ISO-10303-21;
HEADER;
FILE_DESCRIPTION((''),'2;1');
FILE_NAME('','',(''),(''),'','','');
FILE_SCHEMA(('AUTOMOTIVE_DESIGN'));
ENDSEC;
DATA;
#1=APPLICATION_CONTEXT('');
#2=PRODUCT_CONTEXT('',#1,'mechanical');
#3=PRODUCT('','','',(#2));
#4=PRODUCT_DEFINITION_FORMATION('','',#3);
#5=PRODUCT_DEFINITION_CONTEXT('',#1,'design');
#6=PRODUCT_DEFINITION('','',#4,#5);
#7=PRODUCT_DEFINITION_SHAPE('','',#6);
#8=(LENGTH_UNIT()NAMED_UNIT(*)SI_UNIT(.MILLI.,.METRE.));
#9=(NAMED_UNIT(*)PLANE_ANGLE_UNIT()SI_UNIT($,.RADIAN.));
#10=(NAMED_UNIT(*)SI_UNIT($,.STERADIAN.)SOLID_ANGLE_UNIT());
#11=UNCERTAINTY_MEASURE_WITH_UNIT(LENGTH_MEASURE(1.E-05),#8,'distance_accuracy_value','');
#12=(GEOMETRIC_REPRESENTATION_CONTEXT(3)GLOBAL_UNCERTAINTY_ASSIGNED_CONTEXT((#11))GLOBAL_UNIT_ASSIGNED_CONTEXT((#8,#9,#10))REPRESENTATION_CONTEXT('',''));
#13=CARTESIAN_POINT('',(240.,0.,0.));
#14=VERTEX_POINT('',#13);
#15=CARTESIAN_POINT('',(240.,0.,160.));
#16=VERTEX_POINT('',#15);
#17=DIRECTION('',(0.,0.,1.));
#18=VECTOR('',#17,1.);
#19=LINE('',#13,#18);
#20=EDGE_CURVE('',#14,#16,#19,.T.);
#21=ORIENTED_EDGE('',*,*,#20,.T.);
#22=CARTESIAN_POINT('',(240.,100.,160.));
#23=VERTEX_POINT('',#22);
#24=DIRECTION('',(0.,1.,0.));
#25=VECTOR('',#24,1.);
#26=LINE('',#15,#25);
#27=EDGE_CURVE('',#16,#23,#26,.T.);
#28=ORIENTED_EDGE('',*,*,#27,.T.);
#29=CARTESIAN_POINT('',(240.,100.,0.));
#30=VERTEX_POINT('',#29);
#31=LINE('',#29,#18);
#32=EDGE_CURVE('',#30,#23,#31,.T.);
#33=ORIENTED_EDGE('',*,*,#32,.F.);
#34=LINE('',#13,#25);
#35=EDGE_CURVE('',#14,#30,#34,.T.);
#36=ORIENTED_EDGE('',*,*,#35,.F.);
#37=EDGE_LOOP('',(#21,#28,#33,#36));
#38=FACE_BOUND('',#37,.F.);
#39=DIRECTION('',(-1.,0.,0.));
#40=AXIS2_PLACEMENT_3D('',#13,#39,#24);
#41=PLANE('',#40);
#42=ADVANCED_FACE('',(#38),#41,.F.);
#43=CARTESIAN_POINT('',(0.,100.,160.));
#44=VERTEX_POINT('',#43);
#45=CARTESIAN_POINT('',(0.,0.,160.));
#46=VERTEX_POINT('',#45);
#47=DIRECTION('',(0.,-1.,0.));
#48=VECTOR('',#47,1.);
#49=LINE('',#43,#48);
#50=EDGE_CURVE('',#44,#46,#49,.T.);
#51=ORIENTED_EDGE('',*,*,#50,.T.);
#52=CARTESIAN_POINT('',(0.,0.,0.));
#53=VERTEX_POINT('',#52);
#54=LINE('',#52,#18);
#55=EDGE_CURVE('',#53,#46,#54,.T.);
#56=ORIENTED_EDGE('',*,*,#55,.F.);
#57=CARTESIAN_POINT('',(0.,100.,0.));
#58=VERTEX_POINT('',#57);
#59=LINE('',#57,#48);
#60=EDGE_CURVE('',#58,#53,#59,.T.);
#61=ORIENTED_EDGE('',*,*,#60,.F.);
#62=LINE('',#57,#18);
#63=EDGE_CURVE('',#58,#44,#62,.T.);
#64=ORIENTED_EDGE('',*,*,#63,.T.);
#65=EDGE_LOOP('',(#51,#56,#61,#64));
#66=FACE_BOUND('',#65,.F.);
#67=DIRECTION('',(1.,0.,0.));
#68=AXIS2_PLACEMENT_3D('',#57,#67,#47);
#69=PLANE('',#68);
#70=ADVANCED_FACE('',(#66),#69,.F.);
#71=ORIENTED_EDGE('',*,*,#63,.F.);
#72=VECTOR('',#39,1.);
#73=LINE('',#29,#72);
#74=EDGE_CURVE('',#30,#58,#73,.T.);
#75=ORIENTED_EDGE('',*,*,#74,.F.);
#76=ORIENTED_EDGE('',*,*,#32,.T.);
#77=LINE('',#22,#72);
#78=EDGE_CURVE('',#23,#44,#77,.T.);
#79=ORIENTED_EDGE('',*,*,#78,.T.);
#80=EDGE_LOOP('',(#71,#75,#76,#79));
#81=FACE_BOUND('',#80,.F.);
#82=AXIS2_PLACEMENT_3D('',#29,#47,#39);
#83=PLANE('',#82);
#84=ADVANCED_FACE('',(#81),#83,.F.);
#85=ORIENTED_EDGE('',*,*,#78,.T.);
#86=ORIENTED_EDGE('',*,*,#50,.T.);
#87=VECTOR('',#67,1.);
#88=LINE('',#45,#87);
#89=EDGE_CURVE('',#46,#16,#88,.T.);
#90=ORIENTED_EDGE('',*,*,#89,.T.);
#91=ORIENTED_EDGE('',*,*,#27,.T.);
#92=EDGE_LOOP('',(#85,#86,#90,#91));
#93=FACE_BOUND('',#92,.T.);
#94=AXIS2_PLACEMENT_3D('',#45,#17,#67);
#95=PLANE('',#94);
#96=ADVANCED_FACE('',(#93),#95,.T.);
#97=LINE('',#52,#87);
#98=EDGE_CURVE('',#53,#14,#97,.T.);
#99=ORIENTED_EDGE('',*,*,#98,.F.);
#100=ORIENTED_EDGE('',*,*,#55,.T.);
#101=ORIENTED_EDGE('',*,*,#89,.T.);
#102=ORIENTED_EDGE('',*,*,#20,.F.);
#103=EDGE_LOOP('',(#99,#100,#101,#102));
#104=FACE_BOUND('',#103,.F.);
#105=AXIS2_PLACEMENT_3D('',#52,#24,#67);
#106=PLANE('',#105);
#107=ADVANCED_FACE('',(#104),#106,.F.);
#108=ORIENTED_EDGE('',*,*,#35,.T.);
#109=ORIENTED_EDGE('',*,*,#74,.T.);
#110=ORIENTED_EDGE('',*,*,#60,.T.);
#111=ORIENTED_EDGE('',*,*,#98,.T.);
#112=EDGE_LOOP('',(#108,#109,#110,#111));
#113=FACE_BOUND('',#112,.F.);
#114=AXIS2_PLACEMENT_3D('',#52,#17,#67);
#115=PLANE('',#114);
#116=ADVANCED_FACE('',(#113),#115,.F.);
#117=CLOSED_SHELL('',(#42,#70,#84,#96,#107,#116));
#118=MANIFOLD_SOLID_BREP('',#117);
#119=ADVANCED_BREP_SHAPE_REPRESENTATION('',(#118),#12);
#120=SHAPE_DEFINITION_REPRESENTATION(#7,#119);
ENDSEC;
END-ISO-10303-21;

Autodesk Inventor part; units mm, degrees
ref_plane "YZ Plane" through (0, 0, 0) normal (1, 0, 0) x (0, 1, 0)
ref_plane "XZ Plane" through (0, 0, 0) normal (0, 1, 0) x (-1, 0, 0)
ref_plane "XY Plane" through (0, 0, 0) normal (0, 0, 1) x (1, 0, 0)
sketch "Sketch1" plane through (0, 0, 0) normal (0, 0, 1) x (1, 0, 0)
  line L0 (0, 0) -> (240, 0)
  line L1 (240, 0) -> (240, 100)
  line L2 (240, 100) -> (0, 100)
  line L3 (0, 100) -> (0, 0)
  dimension "d0" = 240
  dimension "d1" = 100
extrude "Extrusion1" add sketch "Sketch1" along normal blind 160
properties part number "pompa"
